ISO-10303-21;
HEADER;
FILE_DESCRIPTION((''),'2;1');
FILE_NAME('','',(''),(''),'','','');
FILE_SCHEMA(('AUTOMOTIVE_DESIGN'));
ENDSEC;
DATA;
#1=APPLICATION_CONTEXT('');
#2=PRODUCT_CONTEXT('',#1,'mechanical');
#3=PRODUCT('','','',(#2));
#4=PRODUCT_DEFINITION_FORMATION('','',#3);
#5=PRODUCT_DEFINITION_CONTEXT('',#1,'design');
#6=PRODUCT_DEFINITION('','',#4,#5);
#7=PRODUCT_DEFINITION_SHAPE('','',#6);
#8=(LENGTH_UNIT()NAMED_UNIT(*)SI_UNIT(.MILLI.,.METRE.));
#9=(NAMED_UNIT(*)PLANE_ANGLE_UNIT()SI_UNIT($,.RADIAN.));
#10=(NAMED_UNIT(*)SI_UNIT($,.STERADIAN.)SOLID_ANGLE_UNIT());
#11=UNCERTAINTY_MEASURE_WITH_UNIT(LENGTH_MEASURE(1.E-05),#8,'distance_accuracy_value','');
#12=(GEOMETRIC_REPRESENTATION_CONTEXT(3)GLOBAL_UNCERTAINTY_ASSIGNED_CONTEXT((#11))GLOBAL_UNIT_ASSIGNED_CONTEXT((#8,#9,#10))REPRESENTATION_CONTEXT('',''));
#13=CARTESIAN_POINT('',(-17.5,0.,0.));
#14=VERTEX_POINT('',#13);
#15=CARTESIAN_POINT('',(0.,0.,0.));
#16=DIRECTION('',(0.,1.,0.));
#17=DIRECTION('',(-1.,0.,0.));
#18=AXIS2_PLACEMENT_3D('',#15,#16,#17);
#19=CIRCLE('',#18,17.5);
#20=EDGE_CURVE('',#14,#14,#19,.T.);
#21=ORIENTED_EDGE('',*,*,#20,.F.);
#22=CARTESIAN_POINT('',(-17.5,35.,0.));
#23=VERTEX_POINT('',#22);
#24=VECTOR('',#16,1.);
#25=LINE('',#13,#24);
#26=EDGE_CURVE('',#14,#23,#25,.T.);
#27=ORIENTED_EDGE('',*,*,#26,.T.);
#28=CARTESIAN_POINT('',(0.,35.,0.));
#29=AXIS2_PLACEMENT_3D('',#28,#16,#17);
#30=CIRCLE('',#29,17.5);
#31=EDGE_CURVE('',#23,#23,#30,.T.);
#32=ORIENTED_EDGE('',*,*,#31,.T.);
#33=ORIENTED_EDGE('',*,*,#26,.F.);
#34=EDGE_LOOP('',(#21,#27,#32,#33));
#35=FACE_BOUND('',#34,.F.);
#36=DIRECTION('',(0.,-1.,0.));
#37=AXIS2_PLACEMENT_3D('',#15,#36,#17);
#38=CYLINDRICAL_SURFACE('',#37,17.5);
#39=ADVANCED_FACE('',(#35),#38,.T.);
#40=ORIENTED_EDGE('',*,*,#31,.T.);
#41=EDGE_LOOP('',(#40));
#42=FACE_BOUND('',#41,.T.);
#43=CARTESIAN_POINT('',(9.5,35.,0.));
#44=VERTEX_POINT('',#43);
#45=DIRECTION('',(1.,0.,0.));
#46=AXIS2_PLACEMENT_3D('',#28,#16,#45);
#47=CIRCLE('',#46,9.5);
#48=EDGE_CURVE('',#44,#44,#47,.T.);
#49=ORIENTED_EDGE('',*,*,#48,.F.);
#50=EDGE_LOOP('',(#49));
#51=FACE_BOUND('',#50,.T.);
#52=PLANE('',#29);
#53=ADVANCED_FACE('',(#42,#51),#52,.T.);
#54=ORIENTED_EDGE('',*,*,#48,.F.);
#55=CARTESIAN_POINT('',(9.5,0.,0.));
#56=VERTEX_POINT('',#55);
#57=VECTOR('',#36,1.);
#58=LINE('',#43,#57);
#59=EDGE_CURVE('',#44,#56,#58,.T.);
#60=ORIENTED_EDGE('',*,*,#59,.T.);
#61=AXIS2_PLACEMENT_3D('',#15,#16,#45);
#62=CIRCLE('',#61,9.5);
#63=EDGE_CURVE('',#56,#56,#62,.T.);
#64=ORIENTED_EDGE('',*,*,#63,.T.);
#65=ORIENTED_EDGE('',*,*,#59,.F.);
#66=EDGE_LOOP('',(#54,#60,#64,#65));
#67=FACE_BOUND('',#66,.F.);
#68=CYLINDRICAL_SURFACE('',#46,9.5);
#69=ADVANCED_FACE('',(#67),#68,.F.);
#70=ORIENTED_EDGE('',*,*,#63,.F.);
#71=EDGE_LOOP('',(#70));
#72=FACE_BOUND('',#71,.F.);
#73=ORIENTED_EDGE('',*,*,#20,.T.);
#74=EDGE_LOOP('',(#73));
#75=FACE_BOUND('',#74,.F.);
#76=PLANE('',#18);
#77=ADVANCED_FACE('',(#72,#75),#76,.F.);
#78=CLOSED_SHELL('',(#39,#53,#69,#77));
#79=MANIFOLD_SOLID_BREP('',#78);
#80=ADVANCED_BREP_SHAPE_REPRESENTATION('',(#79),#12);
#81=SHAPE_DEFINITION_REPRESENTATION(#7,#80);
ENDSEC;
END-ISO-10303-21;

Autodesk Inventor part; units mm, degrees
ref_plane "YZ Plane" through (0, 0, 0) normal (1, 0, 0) x (0, 1, 0)
ref_plane "XZ Plane" through (0, 0, 0) normal (0, 1, 0) x (-1, 0, 0)
ref_plane "XY Plane" through (0, 0, 0) normal (0, 0, 1) x (1, 0, 0)
sketch "スケッチ1" plane through (0, 0, 0) normal (0, 1, 0) x (-1, 0, 0)
  circle A0 centre (0, 0) radius 17.5
  dimension "d0" = 35
extrude "押し出し1" add sketch "スケッチ1" along normal blind 35
sketch "スケッチ2" plane through (0, 35, 0) normal (0, 1, 0) x (1, 0, 0)
  circle A0 centre (0, 0) radius 9.5
  dimension "d3" = 19
extrude "押し出し2" cut sketch "スケッチ2" against normal up to next
properties part number "vacuum_inlet"
